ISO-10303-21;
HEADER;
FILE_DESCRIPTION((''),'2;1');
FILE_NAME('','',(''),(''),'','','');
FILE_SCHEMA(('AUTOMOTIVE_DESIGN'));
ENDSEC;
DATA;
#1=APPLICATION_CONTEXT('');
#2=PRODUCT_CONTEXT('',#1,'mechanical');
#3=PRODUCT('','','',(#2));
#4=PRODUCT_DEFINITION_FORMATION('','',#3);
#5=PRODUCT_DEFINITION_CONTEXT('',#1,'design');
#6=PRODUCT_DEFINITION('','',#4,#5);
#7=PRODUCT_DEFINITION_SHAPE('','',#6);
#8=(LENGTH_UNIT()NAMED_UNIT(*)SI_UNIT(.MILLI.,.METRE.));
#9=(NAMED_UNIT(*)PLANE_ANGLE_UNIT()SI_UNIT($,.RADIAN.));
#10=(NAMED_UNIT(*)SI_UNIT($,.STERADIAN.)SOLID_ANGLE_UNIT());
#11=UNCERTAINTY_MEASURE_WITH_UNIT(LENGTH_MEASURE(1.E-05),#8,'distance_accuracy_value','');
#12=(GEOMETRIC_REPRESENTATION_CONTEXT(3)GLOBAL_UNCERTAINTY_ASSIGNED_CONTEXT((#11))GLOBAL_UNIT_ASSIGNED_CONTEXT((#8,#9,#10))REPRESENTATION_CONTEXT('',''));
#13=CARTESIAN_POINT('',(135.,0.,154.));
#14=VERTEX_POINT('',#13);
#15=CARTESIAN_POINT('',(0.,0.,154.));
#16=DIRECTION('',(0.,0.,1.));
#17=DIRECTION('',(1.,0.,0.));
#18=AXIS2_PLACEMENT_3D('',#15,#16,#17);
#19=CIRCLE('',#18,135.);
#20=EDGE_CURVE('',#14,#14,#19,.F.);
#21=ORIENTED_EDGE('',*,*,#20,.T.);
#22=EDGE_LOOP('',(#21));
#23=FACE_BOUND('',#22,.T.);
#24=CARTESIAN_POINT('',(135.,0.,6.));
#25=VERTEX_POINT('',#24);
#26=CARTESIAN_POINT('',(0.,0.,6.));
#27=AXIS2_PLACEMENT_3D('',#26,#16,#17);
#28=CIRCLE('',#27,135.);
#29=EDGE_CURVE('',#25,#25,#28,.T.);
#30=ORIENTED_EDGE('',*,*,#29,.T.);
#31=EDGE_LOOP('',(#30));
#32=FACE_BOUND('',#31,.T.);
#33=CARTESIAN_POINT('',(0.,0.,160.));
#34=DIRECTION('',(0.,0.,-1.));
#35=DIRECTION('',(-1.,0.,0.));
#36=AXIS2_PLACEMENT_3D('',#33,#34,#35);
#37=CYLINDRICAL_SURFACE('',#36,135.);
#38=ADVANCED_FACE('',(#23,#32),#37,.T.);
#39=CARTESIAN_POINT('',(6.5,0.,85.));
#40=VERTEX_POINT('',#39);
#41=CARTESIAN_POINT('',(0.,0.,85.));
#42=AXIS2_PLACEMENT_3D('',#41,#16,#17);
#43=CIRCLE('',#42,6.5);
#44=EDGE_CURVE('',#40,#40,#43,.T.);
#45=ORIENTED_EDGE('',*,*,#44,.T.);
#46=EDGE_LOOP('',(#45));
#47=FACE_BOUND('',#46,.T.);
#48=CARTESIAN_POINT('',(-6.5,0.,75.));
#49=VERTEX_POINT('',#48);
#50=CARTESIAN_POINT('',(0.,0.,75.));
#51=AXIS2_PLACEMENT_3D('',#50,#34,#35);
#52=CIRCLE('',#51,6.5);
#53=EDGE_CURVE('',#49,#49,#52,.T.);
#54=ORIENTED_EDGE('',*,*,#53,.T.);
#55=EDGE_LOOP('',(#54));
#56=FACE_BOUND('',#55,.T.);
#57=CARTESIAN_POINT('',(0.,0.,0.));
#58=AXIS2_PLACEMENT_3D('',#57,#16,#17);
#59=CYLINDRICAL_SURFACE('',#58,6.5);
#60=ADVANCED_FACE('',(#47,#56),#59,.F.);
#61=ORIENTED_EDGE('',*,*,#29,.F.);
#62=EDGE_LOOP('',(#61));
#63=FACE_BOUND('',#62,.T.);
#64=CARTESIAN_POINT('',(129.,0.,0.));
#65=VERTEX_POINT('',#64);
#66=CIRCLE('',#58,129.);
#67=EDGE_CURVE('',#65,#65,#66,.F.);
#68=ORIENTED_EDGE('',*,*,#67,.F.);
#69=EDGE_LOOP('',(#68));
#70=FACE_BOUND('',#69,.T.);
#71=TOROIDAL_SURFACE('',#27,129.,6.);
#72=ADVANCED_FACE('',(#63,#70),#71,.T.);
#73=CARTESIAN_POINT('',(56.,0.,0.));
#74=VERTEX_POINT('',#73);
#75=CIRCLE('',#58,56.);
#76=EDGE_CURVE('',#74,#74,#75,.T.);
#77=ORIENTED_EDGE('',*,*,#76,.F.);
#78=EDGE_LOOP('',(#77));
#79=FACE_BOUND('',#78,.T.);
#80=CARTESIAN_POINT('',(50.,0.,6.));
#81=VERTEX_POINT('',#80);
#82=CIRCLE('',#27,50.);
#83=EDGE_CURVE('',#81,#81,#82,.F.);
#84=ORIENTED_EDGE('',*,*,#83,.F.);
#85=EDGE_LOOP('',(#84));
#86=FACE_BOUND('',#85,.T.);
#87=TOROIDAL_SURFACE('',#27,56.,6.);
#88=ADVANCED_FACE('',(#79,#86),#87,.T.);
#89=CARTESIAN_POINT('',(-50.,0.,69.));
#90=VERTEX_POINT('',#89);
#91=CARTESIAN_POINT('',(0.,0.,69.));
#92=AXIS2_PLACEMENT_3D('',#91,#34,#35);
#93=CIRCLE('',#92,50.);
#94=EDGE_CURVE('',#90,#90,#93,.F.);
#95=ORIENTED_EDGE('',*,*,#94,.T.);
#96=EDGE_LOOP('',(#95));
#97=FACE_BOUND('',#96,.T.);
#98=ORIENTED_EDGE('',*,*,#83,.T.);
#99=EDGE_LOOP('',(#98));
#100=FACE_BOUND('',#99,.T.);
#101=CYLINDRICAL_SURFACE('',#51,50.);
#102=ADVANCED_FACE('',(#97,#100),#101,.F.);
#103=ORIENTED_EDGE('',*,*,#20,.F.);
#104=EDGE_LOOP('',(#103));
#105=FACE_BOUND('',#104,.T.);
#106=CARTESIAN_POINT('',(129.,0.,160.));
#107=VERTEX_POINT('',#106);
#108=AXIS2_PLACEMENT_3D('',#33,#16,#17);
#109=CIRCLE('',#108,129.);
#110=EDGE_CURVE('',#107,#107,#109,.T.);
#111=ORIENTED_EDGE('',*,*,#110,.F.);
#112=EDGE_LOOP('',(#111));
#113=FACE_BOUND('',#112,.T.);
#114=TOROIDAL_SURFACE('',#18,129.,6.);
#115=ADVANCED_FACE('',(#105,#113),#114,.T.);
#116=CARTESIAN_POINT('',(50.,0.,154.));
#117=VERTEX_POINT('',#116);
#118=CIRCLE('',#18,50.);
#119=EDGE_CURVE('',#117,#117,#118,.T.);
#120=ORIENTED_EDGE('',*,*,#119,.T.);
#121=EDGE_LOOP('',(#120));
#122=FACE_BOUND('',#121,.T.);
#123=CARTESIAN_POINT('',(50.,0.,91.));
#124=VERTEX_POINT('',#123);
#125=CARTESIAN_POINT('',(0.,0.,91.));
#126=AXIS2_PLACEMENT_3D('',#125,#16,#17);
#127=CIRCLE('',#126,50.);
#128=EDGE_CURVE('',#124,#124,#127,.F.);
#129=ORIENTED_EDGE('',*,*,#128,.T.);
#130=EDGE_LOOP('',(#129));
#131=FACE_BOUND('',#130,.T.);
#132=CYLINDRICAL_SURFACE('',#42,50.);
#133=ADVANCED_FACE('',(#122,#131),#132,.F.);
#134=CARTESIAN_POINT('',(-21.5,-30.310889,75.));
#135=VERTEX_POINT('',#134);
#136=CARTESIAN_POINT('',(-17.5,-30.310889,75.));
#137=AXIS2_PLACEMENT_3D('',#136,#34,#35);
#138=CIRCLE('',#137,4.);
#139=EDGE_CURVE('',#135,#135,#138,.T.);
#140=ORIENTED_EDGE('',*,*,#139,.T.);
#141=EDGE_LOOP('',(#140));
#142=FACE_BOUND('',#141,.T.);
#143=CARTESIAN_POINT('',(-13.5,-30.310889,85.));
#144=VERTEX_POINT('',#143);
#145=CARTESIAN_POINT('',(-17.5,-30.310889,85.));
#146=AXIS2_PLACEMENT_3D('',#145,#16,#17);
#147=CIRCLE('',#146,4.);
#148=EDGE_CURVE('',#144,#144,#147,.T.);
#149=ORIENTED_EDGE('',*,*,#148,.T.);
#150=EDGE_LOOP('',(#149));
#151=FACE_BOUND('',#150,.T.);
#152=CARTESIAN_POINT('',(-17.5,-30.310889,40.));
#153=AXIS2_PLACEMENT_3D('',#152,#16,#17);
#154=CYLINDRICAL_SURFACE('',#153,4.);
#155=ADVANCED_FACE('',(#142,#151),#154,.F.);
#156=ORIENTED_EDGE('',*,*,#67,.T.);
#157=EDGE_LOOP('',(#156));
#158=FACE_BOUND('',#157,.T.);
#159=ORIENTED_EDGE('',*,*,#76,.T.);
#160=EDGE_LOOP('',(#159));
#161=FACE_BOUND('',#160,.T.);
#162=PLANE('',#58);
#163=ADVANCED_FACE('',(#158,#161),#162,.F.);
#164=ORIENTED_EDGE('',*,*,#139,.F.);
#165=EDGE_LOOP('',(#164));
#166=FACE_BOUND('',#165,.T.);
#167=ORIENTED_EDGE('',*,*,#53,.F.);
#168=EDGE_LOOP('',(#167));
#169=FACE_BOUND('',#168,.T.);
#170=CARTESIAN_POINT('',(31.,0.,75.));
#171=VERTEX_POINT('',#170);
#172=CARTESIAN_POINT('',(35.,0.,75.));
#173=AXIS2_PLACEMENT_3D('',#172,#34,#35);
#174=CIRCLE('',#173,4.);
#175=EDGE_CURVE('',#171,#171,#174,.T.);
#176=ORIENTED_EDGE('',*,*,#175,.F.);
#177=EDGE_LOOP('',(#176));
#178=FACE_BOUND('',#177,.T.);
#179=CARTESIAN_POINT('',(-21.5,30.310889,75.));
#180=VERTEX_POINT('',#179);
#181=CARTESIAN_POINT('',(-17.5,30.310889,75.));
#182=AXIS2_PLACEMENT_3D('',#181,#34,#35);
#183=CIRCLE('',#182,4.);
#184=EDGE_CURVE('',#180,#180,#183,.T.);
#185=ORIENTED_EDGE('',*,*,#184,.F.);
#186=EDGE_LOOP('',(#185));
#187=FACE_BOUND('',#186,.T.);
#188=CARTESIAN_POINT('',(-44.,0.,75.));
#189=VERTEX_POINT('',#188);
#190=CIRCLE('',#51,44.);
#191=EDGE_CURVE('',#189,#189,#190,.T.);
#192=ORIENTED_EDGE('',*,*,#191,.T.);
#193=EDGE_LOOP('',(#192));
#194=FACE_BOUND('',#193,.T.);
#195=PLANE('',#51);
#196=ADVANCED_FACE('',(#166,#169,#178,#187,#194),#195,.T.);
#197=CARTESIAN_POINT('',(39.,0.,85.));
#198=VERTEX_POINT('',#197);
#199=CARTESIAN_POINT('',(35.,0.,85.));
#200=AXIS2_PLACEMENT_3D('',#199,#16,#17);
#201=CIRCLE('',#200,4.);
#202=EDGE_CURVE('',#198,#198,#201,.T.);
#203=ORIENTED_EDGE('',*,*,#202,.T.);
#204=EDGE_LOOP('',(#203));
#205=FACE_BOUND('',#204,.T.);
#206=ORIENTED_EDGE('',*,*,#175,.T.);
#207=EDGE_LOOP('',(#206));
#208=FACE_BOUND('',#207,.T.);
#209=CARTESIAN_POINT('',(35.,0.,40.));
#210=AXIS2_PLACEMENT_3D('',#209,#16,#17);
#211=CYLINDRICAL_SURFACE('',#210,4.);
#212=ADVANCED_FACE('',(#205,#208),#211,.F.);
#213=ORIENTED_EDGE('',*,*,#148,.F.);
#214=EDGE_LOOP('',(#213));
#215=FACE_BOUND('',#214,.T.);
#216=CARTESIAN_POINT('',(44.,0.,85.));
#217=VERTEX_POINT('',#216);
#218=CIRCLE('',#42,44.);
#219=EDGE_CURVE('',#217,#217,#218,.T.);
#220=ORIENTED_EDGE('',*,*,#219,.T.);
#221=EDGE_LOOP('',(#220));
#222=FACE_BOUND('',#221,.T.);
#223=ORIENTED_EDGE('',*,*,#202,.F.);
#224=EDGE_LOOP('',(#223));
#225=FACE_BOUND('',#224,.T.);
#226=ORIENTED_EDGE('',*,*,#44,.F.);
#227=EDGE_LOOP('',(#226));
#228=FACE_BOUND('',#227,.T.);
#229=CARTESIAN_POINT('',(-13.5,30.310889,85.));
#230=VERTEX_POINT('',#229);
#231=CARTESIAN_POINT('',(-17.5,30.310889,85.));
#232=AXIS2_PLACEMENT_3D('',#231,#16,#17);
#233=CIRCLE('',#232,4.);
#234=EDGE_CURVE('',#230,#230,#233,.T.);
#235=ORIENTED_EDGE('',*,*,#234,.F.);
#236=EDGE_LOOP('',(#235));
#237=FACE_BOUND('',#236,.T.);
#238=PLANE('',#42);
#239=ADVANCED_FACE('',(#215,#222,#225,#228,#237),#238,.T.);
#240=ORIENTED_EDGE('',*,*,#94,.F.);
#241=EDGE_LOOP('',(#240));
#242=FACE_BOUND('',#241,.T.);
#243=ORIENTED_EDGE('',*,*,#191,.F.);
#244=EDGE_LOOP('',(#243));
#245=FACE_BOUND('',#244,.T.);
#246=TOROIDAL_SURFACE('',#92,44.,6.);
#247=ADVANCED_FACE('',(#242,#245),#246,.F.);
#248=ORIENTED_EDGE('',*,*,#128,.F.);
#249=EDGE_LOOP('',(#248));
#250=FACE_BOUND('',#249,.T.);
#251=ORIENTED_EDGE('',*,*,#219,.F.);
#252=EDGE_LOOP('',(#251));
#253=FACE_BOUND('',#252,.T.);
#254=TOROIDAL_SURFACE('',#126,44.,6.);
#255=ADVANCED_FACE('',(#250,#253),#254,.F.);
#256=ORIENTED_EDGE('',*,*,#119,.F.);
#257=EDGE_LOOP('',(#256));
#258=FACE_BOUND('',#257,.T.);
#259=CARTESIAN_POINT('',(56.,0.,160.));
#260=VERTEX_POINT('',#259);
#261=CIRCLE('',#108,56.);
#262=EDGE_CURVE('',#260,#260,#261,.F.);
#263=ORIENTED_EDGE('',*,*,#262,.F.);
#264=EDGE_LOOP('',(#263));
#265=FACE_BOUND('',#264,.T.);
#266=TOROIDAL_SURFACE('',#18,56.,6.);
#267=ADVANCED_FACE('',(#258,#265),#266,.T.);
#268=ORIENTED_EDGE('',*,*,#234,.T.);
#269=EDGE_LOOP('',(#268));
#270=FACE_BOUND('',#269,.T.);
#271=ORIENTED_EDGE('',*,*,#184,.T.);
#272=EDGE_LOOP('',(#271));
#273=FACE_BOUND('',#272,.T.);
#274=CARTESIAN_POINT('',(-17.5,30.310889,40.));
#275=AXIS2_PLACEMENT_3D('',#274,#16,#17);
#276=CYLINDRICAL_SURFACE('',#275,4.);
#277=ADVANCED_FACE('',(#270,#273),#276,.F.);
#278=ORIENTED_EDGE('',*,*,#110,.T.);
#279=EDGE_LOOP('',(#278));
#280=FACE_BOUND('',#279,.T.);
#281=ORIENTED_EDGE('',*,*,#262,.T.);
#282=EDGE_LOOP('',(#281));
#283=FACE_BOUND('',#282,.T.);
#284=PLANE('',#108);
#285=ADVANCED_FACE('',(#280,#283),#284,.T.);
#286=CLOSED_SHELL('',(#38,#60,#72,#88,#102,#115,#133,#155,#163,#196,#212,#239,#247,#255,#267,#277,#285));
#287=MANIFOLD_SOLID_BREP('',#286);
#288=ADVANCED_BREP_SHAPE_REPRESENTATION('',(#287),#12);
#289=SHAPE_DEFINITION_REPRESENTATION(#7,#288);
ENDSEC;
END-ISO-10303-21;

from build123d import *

# Parameters (mm, degrees)
SKETCH1_R           = 135
BOSS_EXTRUDE2_DEPTH = 160
SKETCH3_R           = 50
CUT_EXTRUDE1_DEPTH  = 75
SKETCH4_R           = 50
CUT_EXTRUDE2_DEPTH  = 75
FILLET1_R           = 6
SKETCH5_R           = 4
CUT_EXTRUDE3_DEPTH  = 45
SKETCH6_R           = 6.5
CUT_EXTRUDE4_DEPTH  = 86


with BuildPart() as part:
    # Sketch1 → Boss-Extrude2 (new body)
    with BuildSketch(Plane.XY):
        Circle(SKETCH1_R)
    extrude(amount=BOSS_EXTRUDE2_DEPTH)

    # Sketch3 → Cut-Extrude1 (cut)
    with BuildSketch(Plane.XY.offset(160)):
        Circle(SKETCH3_R)
    extrude(amount=-CUT_EXTRUDE1_DEPTH, mode=Mode.SUBTRACT)

    # Sketch4 → Cut-Extrude2 (cut)
    with BuildSketch(Plane(origin=(0, 0, 0), x_dir=(-1, 0, 0), z_dir=(0, 0, -1))):
        Circle(SKETCH4_R)
    extrude(amount=-CUT_EXTRUDE2_DEPTH, mode=Mode.SUBTRACT)

    # Fillet1
    fillet1_edges = [part.edges().sort_by_distance(p)[0] for p in [
        (50, 0, 75),
        (50, 0, 0),
        (-135, 0, 0),
        (-135, 0, 160),
        (-50, 0, 85),
        (-50, 0, 160),
    ]]
    fillet(fillet1_edges, radius=FILLET1_R)

    # Sketch5 → Cut-Extrude3 (cut)
    with BuildSketch(Plane.XY.offset(85)):
        with Locations((35, 0)):
            Circle(SKETCH5_R)
        with Locations((-17.5, -30.310889132)):
            Circle(SKETCH5_R)
        with Locations((-17.5, 30.310889132)):
            Circle(SKETCH5_R)
    extrude(amount=-CUT_EXTRUDE3_DEPTH, mode=Mode.SUBTRACT)

    # Sketch6 → Cut-Extrude4 (cut, through all)
    with BuildSketch(Plane.XY.offset(85)):
        Circle(SKETCH6_R)
    extrude(amount=-CUT_EXTRUDE4_DEPTH, mode=Mode.SUBTRACT)


solid = part.part
